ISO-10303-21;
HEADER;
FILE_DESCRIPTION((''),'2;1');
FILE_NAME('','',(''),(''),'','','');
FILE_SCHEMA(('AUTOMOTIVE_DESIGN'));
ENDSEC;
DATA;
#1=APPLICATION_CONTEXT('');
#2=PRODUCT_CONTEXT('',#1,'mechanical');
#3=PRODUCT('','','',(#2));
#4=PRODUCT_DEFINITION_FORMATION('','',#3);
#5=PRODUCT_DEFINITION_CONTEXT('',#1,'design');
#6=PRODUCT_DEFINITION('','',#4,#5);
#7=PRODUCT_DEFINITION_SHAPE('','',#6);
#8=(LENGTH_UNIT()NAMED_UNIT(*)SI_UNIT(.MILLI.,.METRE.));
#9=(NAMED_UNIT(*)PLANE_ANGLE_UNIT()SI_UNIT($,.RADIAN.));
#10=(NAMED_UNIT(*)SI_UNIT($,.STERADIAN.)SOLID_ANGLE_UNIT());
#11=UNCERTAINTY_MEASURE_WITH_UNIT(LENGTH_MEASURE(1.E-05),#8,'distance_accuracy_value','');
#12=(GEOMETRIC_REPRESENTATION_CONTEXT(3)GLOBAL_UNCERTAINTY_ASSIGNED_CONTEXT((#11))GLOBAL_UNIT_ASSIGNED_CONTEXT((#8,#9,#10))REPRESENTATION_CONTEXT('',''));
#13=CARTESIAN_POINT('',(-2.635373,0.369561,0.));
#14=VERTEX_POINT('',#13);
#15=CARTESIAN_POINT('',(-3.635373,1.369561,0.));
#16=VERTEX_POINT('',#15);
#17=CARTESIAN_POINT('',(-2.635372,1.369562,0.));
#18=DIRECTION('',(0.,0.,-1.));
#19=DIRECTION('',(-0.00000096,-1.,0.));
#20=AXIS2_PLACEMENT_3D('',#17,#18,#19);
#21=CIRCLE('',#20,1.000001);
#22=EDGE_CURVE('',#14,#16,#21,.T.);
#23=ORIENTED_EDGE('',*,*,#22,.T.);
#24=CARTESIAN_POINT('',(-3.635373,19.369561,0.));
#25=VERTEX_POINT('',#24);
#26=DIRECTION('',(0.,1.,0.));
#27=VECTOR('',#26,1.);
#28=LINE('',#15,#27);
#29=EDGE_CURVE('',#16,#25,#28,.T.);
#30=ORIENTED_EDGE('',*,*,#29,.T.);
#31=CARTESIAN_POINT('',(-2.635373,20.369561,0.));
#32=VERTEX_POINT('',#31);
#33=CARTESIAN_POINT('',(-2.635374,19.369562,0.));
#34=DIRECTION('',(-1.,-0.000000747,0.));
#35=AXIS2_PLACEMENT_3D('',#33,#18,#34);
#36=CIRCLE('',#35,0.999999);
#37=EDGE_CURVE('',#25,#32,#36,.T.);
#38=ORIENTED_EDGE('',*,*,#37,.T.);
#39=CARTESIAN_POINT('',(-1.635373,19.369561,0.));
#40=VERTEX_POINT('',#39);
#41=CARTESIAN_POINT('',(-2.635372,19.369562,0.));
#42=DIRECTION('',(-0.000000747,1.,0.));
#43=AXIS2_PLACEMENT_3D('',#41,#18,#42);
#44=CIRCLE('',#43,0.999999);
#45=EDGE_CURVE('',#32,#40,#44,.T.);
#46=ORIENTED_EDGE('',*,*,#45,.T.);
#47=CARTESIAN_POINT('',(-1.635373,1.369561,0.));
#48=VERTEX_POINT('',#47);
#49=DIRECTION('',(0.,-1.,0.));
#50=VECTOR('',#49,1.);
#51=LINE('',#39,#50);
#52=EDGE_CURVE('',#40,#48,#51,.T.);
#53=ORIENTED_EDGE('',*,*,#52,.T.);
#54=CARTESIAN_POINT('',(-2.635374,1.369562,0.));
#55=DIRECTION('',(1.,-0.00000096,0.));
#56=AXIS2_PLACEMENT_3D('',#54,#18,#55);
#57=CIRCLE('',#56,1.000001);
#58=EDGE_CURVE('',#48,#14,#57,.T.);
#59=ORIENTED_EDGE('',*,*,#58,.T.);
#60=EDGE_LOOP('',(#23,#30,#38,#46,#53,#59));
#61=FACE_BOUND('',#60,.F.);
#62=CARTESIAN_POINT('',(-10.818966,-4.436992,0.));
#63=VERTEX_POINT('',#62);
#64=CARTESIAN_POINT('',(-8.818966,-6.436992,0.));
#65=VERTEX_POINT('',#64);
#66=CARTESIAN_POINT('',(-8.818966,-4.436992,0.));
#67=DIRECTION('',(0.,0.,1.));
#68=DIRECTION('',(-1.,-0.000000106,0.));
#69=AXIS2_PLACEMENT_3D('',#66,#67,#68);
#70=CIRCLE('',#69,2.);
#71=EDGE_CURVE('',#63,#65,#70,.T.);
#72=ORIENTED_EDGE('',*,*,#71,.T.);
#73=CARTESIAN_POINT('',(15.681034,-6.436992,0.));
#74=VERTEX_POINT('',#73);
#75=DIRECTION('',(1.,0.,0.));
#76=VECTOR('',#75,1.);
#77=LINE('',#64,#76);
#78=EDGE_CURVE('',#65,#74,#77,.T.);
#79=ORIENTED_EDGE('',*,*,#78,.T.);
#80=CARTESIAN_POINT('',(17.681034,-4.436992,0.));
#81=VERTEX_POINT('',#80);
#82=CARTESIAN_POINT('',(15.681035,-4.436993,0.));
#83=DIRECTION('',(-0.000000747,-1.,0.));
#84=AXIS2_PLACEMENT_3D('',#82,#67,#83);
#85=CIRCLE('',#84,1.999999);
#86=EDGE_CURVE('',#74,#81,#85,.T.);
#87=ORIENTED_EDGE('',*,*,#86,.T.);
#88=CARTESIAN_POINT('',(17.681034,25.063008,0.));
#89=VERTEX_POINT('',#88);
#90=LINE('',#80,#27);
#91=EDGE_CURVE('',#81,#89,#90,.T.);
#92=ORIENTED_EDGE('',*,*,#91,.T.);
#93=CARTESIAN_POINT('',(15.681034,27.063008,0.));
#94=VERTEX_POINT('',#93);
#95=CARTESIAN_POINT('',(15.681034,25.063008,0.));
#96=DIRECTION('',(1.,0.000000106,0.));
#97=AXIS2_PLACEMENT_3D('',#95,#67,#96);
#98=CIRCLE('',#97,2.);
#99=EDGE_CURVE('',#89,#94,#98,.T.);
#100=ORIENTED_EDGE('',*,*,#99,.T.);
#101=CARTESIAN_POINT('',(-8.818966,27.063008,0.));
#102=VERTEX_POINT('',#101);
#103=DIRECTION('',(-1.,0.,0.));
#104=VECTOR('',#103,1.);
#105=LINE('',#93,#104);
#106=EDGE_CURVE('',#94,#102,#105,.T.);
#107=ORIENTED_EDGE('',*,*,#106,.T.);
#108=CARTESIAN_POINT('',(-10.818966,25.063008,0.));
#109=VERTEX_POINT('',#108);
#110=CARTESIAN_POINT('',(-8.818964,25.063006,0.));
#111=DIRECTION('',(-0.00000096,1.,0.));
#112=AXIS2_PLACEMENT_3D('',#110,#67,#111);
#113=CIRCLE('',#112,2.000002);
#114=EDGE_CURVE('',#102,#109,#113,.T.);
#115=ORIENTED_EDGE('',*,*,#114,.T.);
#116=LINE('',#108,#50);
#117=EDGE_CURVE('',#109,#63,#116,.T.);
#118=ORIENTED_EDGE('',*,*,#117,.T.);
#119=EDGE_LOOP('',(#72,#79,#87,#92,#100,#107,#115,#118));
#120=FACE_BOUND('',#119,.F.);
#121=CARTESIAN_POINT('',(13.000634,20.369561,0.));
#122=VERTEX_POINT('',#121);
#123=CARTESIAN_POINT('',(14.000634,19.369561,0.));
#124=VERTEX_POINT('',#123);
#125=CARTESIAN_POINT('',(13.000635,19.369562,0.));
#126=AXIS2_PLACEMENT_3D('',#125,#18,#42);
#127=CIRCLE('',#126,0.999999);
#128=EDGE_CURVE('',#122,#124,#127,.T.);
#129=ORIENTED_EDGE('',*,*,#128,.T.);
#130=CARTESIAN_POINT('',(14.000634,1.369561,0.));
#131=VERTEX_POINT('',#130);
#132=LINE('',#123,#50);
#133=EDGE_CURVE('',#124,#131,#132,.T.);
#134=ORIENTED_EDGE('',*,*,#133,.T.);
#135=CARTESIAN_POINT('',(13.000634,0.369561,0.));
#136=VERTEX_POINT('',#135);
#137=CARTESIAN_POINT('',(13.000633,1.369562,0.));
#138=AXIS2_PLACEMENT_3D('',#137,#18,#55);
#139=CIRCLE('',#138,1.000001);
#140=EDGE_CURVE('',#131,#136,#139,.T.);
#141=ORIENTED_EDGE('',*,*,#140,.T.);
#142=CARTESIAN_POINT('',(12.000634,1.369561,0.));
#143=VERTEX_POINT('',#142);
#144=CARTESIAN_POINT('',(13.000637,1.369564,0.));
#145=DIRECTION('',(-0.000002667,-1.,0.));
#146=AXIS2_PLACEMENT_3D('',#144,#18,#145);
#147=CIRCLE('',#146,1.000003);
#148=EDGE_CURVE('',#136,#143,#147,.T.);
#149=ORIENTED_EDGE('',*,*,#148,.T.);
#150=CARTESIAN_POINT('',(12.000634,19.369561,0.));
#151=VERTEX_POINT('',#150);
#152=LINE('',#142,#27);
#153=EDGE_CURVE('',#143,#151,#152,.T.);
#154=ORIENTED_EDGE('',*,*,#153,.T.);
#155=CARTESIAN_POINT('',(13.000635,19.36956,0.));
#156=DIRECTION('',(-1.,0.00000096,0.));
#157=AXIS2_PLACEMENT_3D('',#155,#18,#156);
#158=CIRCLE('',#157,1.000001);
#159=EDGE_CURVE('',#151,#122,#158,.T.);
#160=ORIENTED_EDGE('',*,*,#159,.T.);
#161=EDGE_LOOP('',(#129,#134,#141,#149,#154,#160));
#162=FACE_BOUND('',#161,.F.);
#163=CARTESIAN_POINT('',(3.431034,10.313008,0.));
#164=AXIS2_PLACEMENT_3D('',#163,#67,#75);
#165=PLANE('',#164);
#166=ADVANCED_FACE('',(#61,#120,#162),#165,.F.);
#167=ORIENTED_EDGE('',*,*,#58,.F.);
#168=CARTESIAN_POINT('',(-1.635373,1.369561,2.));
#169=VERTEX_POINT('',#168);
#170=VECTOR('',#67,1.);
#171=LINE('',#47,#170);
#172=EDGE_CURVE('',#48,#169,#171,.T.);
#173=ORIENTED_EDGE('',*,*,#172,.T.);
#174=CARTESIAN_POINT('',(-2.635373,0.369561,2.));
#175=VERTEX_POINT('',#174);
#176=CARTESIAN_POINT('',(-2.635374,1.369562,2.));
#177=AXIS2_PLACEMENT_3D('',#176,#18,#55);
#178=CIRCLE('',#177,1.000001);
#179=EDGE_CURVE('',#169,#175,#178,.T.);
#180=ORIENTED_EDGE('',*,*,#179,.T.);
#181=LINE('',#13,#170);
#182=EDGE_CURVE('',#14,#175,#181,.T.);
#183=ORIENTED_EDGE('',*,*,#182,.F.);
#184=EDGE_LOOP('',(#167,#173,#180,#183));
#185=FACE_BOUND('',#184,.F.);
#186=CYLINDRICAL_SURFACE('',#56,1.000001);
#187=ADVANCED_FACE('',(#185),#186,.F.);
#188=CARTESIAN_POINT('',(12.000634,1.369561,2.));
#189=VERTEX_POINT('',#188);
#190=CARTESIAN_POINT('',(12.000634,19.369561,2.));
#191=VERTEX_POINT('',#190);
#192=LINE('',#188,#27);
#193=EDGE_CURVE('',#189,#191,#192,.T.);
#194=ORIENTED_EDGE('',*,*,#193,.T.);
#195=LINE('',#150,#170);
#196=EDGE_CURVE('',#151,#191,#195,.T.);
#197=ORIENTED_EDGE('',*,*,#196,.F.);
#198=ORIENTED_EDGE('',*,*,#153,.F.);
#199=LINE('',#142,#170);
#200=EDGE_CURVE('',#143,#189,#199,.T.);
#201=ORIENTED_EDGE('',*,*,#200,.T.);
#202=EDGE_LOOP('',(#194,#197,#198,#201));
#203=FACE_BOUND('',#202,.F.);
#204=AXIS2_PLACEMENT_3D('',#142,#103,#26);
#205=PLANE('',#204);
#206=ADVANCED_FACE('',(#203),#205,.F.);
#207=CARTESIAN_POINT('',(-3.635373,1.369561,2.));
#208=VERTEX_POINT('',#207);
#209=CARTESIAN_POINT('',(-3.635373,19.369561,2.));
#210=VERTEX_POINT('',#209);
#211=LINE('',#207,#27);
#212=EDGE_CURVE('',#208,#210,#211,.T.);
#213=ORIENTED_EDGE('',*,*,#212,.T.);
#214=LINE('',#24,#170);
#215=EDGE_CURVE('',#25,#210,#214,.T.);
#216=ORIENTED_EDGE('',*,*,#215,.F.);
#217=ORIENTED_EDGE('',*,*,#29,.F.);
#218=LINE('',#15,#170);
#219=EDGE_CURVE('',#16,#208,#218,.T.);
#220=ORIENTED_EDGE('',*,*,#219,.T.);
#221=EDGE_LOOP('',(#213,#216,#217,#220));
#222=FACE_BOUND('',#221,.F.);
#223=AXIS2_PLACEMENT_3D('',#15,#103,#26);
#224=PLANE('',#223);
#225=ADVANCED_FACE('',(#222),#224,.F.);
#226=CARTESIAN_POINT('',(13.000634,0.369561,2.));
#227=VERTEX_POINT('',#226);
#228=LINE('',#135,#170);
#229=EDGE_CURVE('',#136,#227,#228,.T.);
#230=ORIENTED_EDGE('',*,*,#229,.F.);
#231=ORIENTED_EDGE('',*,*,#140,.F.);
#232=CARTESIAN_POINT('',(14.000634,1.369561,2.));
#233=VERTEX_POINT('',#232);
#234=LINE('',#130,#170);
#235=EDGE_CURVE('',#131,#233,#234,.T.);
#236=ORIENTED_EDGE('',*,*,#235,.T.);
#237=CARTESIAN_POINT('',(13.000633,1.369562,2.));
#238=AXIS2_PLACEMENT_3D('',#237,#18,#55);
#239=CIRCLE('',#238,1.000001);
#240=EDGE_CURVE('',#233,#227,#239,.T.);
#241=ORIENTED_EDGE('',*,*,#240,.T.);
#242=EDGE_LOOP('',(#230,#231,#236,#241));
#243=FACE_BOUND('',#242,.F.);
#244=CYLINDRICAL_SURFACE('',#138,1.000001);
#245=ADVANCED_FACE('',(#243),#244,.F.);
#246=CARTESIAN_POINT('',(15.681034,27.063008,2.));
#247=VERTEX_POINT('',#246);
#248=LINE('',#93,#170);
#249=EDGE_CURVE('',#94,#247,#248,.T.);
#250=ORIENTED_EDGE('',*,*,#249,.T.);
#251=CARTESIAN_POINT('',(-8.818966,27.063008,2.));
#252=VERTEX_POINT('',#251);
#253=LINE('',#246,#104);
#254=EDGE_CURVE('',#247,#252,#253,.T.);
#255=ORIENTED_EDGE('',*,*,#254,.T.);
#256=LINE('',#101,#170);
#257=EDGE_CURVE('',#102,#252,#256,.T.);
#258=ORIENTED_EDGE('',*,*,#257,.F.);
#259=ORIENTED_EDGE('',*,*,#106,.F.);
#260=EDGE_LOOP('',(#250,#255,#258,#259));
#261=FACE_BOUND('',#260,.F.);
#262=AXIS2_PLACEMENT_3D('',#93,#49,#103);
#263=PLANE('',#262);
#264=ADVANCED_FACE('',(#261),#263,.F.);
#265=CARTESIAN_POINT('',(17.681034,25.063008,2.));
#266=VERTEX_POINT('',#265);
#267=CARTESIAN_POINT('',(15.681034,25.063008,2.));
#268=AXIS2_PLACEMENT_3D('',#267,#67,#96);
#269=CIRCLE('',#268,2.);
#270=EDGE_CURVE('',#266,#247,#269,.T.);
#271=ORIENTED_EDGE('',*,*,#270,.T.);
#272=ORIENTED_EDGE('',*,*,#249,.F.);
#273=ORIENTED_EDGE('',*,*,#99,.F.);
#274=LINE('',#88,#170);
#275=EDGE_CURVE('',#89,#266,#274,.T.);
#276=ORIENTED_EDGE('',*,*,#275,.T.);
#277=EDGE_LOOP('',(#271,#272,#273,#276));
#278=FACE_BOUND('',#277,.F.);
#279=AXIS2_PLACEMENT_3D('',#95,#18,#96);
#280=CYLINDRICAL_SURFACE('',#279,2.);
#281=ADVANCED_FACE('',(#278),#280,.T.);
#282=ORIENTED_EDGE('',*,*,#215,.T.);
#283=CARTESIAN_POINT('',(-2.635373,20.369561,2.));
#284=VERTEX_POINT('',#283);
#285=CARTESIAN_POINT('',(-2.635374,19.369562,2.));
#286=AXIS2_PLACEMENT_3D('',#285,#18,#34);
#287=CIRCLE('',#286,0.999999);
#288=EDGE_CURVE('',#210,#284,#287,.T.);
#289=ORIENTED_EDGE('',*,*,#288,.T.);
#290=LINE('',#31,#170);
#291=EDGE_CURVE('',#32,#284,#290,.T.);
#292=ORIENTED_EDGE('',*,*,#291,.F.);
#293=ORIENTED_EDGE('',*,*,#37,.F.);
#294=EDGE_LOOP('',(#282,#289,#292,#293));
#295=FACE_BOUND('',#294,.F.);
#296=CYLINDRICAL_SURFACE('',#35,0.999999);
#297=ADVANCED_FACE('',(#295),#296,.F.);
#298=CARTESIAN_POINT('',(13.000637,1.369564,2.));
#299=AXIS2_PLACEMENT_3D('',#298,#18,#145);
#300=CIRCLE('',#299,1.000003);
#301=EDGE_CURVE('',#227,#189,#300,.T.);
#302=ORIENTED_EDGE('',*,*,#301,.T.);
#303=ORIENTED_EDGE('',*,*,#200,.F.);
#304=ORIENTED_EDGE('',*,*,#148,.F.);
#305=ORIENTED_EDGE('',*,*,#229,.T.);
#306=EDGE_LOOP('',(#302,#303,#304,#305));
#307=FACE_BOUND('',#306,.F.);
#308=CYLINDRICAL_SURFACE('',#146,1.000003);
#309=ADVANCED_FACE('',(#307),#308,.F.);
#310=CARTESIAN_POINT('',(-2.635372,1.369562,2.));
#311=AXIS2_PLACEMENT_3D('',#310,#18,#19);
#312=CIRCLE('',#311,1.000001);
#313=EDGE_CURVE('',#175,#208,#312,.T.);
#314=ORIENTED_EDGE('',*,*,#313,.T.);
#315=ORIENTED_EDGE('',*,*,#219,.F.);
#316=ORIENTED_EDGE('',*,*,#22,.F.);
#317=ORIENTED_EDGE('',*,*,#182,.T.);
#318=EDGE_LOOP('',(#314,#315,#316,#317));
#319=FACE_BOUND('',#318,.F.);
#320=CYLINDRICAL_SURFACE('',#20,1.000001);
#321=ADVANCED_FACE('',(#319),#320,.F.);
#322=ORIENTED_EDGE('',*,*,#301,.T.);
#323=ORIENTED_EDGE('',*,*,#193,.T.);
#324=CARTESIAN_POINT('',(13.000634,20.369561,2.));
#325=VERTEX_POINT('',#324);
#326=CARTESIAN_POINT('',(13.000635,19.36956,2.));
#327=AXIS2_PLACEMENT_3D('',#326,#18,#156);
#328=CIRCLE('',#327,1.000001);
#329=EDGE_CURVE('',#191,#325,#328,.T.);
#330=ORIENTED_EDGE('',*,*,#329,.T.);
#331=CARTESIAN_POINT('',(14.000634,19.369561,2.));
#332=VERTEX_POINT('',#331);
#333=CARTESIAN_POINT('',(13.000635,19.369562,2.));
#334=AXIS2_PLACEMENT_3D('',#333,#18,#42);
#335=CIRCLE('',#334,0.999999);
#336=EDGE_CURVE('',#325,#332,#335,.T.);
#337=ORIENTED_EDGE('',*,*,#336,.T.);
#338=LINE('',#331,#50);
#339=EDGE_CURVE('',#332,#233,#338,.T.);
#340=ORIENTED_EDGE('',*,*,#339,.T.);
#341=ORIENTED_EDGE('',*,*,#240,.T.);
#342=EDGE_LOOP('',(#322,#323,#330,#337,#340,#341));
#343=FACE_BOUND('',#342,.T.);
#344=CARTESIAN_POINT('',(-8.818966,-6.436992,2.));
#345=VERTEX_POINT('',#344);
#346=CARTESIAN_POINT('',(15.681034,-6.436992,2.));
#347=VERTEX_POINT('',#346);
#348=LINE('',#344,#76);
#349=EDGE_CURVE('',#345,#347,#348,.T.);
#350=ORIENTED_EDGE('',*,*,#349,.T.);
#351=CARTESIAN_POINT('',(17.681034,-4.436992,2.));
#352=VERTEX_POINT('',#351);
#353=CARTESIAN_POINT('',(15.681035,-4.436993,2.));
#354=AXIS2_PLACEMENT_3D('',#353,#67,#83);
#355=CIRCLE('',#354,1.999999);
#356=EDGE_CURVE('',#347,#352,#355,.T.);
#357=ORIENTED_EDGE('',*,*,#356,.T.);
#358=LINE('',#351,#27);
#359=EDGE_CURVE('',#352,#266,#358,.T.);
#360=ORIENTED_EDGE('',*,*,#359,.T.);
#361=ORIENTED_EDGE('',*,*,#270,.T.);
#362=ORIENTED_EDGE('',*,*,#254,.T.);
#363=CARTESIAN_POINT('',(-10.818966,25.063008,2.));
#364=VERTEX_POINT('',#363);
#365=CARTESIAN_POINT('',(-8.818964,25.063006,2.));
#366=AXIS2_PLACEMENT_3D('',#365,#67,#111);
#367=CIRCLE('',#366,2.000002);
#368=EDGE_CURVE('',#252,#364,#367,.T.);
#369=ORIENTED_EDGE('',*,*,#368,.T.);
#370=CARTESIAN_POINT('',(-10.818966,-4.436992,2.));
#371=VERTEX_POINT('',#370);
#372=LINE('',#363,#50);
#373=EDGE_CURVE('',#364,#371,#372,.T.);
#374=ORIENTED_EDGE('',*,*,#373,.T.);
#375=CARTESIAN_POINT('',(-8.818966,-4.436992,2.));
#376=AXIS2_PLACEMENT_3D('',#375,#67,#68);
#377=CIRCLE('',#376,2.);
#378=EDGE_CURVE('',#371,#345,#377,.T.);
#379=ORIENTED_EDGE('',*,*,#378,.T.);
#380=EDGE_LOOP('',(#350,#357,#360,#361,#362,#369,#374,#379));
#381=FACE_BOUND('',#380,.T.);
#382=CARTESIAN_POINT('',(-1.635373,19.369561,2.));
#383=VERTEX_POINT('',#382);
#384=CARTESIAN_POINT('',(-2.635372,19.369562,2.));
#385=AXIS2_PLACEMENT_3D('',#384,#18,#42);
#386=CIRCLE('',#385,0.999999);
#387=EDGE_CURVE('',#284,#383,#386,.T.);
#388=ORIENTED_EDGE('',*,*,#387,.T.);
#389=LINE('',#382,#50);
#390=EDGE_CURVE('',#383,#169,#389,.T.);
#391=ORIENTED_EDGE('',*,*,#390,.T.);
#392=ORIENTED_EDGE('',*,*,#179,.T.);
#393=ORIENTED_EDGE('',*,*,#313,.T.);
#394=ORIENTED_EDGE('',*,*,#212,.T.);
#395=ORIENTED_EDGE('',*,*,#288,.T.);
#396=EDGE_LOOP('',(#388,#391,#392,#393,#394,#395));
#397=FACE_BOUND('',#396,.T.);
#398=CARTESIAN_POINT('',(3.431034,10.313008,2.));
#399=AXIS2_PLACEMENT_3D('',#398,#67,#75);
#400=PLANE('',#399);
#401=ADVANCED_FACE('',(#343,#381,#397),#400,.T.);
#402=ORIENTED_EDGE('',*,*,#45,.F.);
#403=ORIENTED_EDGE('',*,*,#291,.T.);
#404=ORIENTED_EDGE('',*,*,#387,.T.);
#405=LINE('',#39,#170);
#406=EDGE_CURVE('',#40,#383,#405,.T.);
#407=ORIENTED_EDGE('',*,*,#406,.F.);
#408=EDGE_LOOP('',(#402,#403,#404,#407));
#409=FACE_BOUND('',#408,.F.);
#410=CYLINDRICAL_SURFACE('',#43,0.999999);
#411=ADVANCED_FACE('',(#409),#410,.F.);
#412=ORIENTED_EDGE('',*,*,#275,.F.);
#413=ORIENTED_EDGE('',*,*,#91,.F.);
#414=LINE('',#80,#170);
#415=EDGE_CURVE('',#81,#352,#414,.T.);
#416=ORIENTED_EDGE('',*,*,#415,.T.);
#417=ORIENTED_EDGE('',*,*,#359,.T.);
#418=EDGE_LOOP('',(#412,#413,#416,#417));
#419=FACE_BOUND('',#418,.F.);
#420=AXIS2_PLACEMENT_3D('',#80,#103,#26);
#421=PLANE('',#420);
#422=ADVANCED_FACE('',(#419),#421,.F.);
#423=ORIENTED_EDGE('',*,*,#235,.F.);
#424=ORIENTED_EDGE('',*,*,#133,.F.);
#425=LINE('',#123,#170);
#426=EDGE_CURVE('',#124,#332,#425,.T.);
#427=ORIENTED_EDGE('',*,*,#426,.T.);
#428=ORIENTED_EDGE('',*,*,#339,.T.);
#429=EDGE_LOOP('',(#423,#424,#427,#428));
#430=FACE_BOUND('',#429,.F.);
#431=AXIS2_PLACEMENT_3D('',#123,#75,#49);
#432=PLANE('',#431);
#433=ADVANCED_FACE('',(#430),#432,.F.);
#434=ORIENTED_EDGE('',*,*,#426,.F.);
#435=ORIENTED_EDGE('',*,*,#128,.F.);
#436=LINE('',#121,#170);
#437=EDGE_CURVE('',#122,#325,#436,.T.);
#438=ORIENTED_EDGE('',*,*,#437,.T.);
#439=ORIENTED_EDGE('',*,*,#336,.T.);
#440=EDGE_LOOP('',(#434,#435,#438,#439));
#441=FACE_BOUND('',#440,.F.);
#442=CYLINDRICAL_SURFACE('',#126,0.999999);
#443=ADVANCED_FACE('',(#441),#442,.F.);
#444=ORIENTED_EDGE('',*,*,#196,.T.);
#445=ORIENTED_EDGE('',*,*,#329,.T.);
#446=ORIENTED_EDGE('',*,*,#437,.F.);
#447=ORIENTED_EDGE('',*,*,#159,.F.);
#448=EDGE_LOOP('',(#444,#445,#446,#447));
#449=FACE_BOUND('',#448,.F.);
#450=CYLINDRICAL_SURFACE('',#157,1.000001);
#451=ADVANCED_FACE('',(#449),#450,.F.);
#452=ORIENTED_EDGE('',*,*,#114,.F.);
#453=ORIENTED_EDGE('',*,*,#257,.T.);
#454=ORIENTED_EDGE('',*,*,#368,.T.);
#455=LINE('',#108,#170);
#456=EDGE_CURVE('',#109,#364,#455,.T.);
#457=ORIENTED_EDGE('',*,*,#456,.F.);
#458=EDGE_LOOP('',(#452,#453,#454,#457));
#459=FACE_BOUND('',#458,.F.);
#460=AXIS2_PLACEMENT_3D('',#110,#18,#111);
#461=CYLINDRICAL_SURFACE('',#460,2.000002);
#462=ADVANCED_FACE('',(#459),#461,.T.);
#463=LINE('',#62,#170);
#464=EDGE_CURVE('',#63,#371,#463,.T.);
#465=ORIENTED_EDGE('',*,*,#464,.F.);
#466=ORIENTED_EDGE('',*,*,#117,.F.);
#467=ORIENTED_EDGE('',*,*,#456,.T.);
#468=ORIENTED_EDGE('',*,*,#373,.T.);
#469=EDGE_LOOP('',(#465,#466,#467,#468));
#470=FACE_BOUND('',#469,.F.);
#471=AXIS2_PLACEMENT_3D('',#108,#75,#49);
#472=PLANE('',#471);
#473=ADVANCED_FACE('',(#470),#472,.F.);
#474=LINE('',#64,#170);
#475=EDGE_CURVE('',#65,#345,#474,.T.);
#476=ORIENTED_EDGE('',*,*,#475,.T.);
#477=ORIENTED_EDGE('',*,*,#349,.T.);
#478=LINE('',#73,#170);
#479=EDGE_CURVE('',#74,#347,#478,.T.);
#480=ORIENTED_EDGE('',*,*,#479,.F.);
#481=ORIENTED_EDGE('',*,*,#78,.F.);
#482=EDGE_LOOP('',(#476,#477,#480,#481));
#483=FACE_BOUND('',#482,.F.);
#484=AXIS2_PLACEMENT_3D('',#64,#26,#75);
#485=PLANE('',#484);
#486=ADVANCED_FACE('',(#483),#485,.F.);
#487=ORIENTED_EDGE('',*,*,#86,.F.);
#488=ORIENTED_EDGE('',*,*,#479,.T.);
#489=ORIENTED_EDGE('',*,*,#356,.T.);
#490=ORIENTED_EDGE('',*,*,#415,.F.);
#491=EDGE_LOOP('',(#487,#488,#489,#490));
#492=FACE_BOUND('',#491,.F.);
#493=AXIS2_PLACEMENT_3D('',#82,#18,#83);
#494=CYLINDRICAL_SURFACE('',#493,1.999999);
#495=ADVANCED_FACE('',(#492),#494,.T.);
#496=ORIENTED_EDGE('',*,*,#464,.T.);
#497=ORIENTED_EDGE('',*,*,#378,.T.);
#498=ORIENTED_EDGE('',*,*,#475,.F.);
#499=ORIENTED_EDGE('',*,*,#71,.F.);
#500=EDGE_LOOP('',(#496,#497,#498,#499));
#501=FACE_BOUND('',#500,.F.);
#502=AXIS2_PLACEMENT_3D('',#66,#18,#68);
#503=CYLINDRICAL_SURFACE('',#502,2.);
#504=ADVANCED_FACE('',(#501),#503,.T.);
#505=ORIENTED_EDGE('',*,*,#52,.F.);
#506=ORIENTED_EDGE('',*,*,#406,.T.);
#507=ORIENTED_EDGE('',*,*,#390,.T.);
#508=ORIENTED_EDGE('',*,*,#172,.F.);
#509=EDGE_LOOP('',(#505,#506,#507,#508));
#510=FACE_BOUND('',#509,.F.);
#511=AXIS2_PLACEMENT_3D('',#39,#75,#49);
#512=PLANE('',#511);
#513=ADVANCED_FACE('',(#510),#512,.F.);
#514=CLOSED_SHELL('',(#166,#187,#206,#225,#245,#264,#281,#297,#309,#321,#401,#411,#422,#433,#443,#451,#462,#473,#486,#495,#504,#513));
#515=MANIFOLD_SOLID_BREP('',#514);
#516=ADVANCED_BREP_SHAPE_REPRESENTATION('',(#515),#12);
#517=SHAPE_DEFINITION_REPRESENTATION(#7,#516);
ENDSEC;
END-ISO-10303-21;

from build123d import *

# Parameters (mm, degrees)
F1_DEPTH = 2


with BuildPart() as f1:
    # F0 (on Top) → F1 (new body)
    with BuildSketch(Plane.XY):
        with BuildLine():
            ThreePointArc((-10.818966, -4.436992), (-10.233179, -5.851206), (-8.818966, -6.436992))
            Line((-8.818966, -6.436992), (15.681034, -6.436992))
            ThreePointArc((15.681034, -6.436992), (17.095248, -5.851206), (17.681034, -4.436992))
            Line((17.681034, -4.436992), (17.681034, 25.063008))
            ThreePointArc((17.681034, 25.063008), (17.095248, 26.477221), (15.681034, 27.063008))
            Line((15.681034, 27.063008), (-8.818966, 27.063008))
            ThreePointArc((-8.818966, 27.063008), (-10.233179, 26.477221), (-10.818966, 25.063008))
            Line((-10.818966, 25.063008), (-10.818966, -4.436992))
        make_face()
        with BuildLine():
            Line((-3.635373, 1.369561), (-3.635373, 19.369561))
            ThreePointArc((-3.635373, 19.369561), (-3.34248, 20.076668), (-2.635373, 20.369561))
            ThreePointArc((-2.635373, 20.369561), (-1.928266, 20.076668), (-1.635373, 19.369561))
            Line((-1.635373, 19.369561), (-1.635373, 1.369561))
            ThreePointArc((-1.635373, 1.369561), (-1.928266, 0.662455), (-2.635373, 0.369561))
            ThreePointArc((-2.635373, 0.369561), (-3.34248, 0.662455), (-3.635373, 1.369561))
        make_face(mode=Mode.SUBTRACT)
        with BuildLine():
            Line((12.000634, 1.369561), (12.000634, 19.369561))
            ThreePointArc((12.000634, 19.369561), (12.293528, 20.076668), (13.000634, 20.369561))
            ThreePointArc((13.000634, 20.369561), (13.707741, 20.076668), (14.000634, 19.369561))
            Line((14.000634, 19.369561), (14.000634, 1.369561))
            ThreePointArc((14.000634, 1.369561), (13.707741, 0.662455), (13.000634, 0.369561))
            ThreePointArc((13.000634, 0.369561), (12.293528, 0.662455), (12.000634, 1.369561))
        make_face(mode=Mode.SUBTRACT)
    extrude(amount=F1_DEPTH)


solid = f1.part
